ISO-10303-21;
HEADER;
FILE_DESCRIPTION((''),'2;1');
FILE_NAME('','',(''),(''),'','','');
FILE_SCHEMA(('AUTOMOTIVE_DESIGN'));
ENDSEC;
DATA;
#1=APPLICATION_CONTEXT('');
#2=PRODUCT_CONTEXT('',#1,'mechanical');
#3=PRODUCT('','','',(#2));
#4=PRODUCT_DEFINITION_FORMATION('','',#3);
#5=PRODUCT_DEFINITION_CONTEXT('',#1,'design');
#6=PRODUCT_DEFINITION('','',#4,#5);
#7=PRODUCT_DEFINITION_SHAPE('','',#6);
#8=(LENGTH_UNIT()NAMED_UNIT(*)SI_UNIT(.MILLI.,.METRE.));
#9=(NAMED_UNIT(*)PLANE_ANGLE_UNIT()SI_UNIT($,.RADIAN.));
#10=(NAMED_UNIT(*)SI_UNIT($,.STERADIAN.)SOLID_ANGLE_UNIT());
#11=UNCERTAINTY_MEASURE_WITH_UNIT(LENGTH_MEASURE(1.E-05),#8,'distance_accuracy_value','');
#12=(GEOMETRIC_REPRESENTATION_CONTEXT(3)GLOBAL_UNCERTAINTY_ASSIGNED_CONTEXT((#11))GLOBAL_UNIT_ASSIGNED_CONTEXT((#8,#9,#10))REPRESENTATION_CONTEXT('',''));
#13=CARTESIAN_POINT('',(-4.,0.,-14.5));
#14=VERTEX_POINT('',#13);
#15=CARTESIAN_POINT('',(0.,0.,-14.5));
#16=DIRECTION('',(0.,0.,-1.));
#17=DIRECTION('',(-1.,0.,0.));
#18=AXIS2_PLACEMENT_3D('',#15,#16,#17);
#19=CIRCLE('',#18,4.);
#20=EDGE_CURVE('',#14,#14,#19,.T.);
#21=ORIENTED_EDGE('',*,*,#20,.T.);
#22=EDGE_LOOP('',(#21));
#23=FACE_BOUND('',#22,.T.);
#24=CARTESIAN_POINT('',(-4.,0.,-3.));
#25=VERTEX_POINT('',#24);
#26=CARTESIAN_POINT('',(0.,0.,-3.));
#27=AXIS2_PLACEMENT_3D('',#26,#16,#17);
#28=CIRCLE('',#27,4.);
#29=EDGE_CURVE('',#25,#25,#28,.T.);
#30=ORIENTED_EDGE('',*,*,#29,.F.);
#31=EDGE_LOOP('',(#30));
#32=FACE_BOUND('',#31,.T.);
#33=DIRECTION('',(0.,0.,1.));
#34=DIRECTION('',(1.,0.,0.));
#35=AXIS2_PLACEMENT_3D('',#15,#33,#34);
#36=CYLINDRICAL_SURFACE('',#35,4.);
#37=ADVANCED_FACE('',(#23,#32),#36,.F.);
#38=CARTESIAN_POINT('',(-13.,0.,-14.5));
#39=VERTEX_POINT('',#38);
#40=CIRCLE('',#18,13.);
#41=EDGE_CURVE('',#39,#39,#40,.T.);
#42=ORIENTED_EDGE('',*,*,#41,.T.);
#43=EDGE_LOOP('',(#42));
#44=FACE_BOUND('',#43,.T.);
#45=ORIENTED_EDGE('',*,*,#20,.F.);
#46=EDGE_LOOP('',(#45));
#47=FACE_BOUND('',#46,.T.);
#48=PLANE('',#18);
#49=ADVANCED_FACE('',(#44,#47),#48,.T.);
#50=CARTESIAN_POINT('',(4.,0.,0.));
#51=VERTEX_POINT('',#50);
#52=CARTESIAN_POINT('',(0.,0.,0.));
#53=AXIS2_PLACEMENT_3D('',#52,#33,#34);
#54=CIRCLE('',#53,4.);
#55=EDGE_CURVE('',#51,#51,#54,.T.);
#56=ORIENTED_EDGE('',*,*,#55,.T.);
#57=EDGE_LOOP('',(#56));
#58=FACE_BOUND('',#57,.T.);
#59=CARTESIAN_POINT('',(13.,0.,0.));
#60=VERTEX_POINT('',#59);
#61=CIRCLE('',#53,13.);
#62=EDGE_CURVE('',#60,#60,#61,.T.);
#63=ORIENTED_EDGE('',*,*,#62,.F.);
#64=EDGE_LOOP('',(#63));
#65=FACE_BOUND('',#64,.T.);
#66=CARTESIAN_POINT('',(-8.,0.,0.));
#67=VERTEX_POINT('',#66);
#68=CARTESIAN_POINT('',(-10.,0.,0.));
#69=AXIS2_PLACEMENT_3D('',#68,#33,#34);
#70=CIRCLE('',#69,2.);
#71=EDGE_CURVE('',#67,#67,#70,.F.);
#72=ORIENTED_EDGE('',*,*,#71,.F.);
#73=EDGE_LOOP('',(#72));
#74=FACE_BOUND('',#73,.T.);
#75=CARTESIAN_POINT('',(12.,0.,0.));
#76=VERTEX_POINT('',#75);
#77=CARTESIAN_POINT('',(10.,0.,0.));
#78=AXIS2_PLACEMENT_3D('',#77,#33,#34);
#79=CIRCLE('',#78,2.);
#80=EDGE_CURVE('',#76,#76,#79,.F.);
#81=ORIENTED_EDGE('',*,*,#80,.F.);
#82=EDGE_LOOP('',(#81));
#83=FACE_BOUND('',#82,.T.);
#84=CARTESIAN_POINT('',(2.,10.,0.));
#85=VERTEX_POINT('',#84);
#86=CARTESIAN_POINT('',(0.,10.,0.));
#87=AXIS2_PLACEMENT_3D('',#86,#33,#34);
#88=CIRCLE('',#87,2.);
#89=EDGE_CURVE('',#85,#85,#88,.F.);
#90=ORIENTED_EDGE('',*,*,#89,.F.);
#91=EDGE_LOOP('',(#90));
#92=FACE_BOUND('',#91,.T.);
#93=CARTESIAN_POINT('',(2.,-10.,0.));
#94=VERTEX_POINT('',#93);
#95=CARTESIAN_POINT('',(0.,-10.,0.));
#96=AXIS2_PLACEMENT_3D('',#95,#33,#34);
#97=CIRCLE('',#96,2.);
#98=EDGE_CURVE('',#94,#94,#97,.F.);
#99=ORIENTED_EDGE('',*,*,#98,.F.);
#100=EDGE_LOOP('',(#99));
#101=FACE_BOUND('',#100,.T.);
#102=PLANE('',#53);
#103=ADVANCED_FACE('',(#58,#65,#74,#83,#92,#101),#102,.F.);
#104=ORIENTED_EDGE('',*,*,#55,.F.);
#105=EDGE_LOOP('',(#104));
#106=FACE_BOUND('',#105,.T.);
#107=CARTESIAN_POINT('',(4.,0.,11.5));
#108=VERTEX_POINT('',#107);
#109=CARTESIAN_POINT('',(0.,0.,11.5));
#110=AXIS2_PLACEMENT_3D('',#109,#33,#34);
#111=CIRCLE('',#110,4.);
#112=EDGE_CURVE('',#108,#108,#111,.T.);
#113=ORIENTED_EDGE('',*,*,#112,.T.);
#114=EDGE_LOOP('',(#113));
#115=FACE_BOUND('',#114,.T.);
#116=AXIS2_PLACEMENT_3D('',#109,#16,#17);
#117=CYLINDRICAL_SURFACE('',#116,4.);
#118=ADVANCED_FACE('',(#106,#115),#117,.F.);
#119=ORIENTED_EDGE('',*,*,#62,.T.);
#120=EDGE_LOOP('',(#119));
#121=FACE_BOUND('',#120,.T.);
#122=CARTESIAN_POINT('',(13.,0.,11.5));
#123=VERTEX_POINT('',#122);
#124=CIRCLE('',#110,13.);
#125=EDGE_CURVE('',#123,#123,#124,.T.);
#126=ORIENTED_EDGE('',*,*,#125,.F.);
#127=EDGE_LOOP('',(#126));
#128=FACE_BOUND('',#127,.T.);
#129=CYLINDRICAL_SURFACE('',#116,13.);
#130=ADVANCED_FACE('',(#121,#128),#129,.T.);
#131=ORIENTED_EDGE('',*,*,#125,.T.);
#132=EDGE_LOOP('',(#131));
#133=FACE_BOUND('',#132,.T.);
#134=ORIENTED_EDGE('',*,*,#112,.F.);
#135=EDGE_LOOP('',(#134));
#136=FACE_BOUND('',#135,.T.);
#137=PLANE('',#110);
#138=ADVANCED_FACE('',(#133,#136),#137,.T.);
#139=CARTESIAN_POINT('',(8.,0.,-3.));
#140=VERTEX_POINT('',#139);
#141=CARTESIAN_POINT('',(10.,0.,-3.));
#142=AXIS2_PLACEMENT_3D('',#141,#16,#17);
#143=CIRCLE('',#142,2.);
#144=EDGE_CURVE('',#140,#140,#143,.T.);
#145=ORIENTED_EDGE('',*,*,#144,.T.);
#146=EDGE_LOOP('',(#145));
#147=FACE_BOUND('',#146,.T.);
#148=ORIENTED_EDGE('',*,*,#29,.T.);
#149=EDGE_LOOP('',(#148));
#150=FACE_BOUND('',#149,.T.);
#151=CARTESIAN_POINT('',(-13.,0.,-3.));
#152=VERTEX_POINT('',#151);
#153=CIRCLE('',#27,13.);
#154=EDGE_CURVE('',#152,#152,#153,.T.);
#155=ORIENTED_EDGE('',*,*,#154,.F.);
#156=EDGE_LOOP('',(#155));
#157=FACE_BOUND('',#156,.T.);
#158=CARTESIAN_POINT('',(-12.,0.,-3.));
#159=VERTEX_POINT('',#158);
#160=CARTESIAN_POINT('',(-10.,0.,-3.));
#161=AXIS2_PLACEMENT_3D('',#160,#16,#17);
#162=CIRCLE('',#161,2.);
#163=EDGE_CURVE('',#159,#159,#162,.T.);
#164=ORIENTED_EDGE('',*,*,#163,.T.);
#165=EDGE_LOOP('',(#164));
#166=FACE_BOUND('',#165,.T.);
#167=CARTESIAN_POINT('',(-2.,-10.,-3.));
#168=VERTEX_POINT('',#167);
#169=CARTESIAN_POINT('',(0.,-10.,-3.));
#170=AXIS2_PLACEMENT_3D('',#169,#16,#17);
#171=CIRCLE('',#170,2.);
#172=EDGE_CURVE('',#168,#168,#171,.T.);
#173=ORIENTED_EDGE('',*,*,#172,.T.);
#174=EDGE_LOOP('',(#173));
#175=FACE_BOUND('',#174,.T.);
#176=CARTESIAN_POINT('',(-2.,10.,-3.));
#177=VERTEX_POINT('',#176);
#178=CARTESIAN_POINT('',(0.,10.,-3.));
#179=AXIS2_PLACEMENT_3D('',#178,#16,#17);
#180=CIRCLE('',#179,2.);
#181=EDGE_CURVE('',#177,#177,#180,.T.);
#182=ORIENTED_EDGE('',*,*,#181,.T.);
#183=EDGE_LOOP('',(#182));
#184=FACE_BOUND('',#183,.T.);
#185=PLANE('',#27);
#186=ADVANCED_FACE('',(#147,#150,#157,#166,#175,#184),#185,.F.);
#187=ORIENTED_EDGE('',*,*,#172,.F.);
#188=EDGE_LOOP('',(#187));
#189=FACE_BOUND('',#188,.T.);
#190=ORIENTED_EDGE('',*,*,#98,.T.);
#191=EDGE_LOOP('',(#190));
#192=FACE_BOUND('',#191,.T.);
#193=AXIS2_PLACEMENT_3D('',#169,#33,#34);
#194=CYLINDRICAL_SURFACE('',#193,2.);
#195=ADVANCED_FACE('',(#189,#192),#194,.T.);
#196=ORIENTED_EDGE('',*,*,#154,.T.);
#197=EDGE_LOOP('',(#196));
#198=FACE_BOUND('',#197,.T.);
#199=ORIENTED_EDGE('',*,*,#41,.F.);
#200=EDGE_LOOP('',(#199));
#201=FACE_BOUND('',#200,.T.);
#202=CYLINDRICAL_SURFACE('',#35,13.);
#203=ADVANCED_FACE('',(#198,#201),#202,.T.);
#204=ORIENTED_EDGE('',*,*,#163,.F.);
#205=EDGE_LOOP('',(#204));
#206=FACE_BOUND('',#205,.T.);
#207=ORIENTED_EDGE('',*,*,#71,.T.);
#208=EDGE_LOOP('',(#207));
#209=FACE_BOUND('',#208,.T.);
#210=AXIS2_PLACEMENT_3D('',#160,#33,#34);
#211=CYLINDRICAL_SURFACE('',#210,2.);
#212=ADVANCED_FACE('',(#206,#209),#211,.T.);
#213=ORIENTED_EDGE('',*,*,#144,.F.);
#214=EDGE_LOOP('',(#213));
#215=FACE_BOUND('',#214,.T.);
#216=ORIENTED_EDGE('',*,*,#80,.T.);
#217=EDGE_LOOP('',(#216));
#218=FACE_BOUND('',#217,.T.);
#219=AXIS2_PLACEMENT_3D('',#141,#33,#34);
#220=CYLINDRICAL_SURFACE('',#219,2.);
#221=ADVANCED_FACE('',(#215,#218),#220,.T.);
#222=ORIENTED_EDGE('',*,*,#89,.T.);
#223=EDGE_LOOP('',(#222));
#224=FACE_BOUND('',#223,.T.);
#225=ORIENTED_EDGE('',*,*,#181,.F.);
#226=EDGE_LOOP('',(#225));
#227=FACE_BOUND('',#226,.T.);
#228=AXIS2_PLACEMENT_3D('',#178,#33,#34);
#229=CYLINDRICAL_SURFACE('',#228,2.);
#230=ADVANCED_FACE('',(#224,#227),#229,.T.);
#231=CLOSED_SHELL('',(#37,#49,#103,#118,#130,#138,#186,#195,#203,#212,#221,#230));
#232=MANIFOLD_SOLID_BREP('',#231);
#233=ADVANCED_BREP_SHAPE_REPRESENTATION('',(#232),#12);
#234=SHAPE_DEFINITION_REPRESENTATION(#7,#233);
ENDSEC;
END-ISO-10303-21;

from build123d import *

# Parameters (mm, degrees)
SKETCH1_R           = 13
SKETCH1_R_2         = 4
BOSS_EXTRUDE1_DEPTH = 11.5
SKETCH2_R           = 2
BOSS_EXTRUDE2_DEPTH = 3
SKETCH3_R           = 13
SKETCH3_R_2         = 4
BOSS_EXTRUDE3_DEPTH = 11.5


with BuildPart() as part:
    # Sketch1 → Boss-Extrude1 (new body)
    with BuildSketch(Plane.XY):
        Circle(SKETCH1_R)
        Circle(SKETCH1_R_2, mode=Mode.SUBTRACT)
    extrude(amount=BOSS_EXTRUDE1_DEPTH)

    # Sketch2 → Boss-Extrude2 (add)
    with BuildSketch(Plane(origin=(0, 0, 0), x_dir=(-1, 0, 0), z_dir=(0, 0, -1))):
        with Locations((0, 10)):
            Circle(SKETCH2_R)
        with Locations((10, 0)):
            Circle(SKETCH2_R)
        with Locations((0, -10)):
            Circle(SKETCH2_R)
        with Locations((-10, 0)):
            Circle(SKETCH2_R)
    extrude(amount=BOSS_EXTRUDE2_DEPTH)

    # Sketch3 → Boss-Extrude3 (add)
    with BuildSketch(Plane(origin=(0, 0, -3), x_dir=(-1, 0, 0), z_dir=(0, 0, -1))):
        Circle(SKETCH3_R)
        Circle(SKETCH3_R_2, mode=Mode.SUBTRACT)
    extrude(amount=BOSS_EXTRUDE3_DEPTH)


solid = part.part
